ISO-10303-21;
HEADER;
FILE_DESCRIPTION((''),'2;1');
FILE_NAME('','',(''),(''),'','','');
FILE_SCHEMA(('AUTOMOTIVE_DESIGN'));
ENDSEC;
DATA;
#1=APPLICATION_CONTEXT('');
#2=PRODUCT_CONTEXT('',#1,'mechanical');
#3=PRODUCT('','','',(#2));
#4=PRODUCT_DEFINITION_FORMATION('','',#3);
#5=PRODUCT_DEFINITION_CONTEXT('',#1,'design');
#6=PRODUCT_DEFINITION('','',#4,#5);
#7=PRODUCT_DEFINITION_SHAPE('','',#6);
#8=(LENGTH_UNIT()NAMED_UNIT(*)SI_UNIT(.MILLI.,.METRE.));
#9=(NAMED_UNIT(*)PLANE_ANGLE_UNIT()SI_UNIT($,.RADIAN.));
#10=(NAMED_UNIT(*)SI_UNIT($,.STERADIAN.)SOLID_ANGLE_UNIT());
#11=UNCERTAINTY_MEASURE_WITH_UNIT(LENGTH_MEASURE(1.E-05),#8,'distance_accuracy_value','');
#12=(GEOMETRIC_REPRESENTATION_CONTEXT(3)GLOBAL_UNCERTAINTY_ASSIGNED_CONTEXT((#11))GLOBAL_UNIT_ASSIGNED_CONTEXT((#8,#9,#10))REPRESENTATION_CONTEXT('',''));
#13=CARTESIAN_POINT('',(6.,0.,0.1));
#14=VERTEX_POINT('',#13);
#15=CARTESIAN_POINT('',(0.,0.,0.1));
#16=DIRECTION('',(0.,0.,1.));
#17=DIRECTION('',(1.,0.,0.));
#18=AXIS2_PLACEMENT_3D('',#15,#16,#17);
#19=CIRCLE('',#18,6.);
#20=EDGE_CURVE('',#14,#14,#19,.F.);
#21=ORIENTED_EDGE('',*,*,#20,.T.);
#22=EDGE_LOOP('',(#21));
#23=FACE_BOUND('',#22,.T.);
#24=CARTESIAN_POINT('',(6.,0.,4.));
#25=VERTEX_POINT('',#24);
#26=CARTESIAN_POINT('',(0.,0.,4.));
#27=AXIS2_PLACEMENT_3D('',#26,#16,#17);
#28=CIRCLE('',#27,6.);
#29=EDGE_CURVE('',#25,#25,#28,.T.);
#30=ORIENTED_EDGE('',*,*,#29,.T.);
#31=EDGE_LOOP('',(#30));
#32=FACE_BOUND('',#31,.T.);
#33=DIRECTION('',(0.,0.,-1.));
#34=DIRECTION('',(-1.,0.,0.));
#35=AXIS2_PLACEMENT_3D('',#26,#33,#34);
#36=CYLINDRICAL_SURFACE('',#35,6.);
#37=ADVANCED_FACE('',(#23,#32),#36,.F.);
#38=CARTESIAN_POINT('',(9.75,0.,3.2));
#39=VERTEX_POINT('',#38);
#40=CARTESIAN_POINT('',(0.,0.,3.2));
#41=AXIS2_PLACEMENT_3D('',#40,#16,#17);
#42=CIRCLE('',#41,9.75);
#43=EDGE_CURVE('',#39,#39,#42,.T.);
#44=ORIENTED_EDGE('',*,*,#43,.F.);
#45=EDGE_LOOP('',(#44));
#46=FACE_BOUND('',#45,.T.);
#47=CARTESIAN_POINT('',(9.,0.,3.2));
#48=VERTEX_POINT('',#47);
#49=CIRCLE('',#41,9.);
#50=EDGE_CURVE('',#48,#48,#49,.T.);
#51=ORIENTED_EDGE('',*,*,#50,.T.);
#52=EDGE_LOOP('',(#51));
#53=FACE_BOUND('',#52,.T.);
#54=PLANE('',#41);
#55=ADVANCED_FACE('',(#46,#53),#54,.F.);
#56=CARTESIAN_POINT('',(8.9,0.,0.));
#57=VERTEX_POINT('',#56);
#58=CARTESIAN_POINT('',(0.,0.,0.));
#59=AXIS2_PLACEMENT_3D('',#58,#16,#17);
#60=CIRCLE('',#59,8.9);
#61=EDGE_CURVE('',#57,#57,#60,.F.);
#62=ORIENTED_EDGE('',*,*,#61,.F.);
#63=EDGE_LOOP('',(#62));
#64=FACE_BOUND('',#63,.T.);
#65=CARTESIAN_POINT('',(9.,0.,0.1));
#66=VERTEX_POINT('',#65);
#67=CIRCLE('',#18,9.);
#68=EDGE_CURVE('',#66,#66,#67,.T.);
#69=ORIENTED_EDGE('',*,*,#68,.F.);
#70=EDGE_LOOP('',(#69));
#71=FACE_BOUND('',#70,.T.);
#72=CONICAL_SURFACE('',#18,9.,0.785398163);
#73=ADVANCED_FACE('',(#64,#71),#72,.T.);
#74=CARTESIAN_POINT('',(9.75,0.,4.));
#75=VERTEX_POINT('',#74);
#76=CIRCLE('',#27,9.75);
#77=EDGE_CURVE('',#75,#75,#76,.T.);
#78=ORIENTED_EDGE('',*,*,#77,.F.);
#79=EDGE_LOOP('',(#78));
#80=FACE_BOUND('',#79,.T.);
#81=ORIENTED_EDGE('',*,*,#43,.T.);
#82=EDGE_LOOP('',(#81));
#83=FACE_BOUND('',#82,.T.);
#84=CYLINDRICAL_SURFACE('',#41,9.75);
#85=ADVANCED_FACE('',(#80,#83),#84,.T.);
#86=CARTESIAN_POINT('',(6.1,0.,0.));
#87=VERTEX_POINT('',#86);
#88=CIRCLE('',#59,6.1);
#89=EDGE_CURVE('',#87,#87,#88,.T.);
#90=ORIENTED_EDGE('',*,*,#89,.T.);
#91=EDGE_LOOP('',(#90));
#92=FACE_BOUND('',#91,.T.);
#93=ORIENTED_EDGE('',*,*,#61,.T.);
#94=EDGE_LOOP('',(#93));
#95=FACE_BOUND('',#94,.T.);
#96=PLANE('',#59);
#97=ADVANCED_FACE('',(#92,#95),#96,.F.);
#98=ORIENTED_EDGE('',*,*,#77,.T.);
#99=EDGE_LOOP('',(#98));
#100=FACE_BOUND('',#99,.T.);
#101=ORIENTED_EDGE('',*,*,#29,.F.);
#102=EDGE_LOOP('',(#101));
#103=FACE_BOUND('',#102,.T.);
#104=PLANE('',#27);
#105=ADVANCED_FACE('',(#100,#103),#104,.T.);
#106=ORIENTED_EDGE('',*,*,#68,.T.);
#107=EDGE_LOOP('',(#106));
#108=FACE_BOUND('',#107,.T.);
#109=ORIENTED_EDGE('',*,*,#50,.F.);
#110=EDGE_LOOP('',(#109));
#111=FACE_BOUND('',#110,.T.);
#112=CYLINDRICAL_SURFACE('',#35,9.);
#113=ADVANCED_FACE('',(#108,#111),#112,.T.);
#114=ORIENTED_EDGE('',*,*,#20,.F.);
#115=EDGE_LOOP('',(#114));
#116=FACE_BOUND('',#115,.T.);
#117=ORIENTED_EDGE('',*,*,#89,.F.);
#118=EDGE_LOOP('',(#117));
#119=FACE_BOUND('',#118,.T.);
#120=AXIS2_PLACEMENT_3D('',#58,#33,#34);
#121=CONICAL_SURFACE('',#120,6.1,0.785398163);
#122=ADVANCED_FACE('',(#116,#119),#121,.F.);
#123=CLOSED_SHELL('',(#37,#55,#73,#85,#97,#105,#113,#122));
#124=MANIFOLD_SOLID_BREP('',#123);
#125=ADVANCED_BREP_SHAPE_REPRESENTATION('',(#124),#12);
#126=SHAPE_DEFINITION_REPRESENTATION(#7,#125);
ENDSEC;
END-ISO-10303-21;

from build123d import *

# Parameters (mm, degrees)
SKETCH_1_R      = 9
SKETCH_1_R_2    = 6
EXTRUDE_1_DEPTH = 4
CHAMFER_1_SIZE  = 0.1
EXTRUDE_START   = -0.8
SKETCH_2_R      = 9.75
SKETCH_2_R_2    = 6
EXTRUDE_2_DEPTH = 0.8


with BuildPart() as part:
    # 草图1 → 凸台-拉伸1 (new body)
    with BuildSketch(Plane.XY):
        Circle(SKETCH_1_R)
        Circle(SKETCH_1_R_2, mode=Mode.SUBTRACT)
    extrude(amount=EXTRUDE_1_DEPTH)

    # 倒角1
    chamfer_1_edges = [part.edges().sort_by_distance(p)[0] for p in [
        (-9, 0, 0),
        (-6, 0, 0),
    ]]
    chamfer(chamfer_1_edges, length=CHAMFER_1_SIZE)

    # 草图2 → 凸台-拉伸2 (add)
    with BuildSketch(Plane.XY.offset(4).offset(EXTRUDE_START)):
        Circle(SKETCH_2_R)
        Circle(SKETCH_2_R_2, mode=Mode.SUBTRACT)
    extrude(amount=EXTRUDE_2_DEPTH)


solid = part.part
